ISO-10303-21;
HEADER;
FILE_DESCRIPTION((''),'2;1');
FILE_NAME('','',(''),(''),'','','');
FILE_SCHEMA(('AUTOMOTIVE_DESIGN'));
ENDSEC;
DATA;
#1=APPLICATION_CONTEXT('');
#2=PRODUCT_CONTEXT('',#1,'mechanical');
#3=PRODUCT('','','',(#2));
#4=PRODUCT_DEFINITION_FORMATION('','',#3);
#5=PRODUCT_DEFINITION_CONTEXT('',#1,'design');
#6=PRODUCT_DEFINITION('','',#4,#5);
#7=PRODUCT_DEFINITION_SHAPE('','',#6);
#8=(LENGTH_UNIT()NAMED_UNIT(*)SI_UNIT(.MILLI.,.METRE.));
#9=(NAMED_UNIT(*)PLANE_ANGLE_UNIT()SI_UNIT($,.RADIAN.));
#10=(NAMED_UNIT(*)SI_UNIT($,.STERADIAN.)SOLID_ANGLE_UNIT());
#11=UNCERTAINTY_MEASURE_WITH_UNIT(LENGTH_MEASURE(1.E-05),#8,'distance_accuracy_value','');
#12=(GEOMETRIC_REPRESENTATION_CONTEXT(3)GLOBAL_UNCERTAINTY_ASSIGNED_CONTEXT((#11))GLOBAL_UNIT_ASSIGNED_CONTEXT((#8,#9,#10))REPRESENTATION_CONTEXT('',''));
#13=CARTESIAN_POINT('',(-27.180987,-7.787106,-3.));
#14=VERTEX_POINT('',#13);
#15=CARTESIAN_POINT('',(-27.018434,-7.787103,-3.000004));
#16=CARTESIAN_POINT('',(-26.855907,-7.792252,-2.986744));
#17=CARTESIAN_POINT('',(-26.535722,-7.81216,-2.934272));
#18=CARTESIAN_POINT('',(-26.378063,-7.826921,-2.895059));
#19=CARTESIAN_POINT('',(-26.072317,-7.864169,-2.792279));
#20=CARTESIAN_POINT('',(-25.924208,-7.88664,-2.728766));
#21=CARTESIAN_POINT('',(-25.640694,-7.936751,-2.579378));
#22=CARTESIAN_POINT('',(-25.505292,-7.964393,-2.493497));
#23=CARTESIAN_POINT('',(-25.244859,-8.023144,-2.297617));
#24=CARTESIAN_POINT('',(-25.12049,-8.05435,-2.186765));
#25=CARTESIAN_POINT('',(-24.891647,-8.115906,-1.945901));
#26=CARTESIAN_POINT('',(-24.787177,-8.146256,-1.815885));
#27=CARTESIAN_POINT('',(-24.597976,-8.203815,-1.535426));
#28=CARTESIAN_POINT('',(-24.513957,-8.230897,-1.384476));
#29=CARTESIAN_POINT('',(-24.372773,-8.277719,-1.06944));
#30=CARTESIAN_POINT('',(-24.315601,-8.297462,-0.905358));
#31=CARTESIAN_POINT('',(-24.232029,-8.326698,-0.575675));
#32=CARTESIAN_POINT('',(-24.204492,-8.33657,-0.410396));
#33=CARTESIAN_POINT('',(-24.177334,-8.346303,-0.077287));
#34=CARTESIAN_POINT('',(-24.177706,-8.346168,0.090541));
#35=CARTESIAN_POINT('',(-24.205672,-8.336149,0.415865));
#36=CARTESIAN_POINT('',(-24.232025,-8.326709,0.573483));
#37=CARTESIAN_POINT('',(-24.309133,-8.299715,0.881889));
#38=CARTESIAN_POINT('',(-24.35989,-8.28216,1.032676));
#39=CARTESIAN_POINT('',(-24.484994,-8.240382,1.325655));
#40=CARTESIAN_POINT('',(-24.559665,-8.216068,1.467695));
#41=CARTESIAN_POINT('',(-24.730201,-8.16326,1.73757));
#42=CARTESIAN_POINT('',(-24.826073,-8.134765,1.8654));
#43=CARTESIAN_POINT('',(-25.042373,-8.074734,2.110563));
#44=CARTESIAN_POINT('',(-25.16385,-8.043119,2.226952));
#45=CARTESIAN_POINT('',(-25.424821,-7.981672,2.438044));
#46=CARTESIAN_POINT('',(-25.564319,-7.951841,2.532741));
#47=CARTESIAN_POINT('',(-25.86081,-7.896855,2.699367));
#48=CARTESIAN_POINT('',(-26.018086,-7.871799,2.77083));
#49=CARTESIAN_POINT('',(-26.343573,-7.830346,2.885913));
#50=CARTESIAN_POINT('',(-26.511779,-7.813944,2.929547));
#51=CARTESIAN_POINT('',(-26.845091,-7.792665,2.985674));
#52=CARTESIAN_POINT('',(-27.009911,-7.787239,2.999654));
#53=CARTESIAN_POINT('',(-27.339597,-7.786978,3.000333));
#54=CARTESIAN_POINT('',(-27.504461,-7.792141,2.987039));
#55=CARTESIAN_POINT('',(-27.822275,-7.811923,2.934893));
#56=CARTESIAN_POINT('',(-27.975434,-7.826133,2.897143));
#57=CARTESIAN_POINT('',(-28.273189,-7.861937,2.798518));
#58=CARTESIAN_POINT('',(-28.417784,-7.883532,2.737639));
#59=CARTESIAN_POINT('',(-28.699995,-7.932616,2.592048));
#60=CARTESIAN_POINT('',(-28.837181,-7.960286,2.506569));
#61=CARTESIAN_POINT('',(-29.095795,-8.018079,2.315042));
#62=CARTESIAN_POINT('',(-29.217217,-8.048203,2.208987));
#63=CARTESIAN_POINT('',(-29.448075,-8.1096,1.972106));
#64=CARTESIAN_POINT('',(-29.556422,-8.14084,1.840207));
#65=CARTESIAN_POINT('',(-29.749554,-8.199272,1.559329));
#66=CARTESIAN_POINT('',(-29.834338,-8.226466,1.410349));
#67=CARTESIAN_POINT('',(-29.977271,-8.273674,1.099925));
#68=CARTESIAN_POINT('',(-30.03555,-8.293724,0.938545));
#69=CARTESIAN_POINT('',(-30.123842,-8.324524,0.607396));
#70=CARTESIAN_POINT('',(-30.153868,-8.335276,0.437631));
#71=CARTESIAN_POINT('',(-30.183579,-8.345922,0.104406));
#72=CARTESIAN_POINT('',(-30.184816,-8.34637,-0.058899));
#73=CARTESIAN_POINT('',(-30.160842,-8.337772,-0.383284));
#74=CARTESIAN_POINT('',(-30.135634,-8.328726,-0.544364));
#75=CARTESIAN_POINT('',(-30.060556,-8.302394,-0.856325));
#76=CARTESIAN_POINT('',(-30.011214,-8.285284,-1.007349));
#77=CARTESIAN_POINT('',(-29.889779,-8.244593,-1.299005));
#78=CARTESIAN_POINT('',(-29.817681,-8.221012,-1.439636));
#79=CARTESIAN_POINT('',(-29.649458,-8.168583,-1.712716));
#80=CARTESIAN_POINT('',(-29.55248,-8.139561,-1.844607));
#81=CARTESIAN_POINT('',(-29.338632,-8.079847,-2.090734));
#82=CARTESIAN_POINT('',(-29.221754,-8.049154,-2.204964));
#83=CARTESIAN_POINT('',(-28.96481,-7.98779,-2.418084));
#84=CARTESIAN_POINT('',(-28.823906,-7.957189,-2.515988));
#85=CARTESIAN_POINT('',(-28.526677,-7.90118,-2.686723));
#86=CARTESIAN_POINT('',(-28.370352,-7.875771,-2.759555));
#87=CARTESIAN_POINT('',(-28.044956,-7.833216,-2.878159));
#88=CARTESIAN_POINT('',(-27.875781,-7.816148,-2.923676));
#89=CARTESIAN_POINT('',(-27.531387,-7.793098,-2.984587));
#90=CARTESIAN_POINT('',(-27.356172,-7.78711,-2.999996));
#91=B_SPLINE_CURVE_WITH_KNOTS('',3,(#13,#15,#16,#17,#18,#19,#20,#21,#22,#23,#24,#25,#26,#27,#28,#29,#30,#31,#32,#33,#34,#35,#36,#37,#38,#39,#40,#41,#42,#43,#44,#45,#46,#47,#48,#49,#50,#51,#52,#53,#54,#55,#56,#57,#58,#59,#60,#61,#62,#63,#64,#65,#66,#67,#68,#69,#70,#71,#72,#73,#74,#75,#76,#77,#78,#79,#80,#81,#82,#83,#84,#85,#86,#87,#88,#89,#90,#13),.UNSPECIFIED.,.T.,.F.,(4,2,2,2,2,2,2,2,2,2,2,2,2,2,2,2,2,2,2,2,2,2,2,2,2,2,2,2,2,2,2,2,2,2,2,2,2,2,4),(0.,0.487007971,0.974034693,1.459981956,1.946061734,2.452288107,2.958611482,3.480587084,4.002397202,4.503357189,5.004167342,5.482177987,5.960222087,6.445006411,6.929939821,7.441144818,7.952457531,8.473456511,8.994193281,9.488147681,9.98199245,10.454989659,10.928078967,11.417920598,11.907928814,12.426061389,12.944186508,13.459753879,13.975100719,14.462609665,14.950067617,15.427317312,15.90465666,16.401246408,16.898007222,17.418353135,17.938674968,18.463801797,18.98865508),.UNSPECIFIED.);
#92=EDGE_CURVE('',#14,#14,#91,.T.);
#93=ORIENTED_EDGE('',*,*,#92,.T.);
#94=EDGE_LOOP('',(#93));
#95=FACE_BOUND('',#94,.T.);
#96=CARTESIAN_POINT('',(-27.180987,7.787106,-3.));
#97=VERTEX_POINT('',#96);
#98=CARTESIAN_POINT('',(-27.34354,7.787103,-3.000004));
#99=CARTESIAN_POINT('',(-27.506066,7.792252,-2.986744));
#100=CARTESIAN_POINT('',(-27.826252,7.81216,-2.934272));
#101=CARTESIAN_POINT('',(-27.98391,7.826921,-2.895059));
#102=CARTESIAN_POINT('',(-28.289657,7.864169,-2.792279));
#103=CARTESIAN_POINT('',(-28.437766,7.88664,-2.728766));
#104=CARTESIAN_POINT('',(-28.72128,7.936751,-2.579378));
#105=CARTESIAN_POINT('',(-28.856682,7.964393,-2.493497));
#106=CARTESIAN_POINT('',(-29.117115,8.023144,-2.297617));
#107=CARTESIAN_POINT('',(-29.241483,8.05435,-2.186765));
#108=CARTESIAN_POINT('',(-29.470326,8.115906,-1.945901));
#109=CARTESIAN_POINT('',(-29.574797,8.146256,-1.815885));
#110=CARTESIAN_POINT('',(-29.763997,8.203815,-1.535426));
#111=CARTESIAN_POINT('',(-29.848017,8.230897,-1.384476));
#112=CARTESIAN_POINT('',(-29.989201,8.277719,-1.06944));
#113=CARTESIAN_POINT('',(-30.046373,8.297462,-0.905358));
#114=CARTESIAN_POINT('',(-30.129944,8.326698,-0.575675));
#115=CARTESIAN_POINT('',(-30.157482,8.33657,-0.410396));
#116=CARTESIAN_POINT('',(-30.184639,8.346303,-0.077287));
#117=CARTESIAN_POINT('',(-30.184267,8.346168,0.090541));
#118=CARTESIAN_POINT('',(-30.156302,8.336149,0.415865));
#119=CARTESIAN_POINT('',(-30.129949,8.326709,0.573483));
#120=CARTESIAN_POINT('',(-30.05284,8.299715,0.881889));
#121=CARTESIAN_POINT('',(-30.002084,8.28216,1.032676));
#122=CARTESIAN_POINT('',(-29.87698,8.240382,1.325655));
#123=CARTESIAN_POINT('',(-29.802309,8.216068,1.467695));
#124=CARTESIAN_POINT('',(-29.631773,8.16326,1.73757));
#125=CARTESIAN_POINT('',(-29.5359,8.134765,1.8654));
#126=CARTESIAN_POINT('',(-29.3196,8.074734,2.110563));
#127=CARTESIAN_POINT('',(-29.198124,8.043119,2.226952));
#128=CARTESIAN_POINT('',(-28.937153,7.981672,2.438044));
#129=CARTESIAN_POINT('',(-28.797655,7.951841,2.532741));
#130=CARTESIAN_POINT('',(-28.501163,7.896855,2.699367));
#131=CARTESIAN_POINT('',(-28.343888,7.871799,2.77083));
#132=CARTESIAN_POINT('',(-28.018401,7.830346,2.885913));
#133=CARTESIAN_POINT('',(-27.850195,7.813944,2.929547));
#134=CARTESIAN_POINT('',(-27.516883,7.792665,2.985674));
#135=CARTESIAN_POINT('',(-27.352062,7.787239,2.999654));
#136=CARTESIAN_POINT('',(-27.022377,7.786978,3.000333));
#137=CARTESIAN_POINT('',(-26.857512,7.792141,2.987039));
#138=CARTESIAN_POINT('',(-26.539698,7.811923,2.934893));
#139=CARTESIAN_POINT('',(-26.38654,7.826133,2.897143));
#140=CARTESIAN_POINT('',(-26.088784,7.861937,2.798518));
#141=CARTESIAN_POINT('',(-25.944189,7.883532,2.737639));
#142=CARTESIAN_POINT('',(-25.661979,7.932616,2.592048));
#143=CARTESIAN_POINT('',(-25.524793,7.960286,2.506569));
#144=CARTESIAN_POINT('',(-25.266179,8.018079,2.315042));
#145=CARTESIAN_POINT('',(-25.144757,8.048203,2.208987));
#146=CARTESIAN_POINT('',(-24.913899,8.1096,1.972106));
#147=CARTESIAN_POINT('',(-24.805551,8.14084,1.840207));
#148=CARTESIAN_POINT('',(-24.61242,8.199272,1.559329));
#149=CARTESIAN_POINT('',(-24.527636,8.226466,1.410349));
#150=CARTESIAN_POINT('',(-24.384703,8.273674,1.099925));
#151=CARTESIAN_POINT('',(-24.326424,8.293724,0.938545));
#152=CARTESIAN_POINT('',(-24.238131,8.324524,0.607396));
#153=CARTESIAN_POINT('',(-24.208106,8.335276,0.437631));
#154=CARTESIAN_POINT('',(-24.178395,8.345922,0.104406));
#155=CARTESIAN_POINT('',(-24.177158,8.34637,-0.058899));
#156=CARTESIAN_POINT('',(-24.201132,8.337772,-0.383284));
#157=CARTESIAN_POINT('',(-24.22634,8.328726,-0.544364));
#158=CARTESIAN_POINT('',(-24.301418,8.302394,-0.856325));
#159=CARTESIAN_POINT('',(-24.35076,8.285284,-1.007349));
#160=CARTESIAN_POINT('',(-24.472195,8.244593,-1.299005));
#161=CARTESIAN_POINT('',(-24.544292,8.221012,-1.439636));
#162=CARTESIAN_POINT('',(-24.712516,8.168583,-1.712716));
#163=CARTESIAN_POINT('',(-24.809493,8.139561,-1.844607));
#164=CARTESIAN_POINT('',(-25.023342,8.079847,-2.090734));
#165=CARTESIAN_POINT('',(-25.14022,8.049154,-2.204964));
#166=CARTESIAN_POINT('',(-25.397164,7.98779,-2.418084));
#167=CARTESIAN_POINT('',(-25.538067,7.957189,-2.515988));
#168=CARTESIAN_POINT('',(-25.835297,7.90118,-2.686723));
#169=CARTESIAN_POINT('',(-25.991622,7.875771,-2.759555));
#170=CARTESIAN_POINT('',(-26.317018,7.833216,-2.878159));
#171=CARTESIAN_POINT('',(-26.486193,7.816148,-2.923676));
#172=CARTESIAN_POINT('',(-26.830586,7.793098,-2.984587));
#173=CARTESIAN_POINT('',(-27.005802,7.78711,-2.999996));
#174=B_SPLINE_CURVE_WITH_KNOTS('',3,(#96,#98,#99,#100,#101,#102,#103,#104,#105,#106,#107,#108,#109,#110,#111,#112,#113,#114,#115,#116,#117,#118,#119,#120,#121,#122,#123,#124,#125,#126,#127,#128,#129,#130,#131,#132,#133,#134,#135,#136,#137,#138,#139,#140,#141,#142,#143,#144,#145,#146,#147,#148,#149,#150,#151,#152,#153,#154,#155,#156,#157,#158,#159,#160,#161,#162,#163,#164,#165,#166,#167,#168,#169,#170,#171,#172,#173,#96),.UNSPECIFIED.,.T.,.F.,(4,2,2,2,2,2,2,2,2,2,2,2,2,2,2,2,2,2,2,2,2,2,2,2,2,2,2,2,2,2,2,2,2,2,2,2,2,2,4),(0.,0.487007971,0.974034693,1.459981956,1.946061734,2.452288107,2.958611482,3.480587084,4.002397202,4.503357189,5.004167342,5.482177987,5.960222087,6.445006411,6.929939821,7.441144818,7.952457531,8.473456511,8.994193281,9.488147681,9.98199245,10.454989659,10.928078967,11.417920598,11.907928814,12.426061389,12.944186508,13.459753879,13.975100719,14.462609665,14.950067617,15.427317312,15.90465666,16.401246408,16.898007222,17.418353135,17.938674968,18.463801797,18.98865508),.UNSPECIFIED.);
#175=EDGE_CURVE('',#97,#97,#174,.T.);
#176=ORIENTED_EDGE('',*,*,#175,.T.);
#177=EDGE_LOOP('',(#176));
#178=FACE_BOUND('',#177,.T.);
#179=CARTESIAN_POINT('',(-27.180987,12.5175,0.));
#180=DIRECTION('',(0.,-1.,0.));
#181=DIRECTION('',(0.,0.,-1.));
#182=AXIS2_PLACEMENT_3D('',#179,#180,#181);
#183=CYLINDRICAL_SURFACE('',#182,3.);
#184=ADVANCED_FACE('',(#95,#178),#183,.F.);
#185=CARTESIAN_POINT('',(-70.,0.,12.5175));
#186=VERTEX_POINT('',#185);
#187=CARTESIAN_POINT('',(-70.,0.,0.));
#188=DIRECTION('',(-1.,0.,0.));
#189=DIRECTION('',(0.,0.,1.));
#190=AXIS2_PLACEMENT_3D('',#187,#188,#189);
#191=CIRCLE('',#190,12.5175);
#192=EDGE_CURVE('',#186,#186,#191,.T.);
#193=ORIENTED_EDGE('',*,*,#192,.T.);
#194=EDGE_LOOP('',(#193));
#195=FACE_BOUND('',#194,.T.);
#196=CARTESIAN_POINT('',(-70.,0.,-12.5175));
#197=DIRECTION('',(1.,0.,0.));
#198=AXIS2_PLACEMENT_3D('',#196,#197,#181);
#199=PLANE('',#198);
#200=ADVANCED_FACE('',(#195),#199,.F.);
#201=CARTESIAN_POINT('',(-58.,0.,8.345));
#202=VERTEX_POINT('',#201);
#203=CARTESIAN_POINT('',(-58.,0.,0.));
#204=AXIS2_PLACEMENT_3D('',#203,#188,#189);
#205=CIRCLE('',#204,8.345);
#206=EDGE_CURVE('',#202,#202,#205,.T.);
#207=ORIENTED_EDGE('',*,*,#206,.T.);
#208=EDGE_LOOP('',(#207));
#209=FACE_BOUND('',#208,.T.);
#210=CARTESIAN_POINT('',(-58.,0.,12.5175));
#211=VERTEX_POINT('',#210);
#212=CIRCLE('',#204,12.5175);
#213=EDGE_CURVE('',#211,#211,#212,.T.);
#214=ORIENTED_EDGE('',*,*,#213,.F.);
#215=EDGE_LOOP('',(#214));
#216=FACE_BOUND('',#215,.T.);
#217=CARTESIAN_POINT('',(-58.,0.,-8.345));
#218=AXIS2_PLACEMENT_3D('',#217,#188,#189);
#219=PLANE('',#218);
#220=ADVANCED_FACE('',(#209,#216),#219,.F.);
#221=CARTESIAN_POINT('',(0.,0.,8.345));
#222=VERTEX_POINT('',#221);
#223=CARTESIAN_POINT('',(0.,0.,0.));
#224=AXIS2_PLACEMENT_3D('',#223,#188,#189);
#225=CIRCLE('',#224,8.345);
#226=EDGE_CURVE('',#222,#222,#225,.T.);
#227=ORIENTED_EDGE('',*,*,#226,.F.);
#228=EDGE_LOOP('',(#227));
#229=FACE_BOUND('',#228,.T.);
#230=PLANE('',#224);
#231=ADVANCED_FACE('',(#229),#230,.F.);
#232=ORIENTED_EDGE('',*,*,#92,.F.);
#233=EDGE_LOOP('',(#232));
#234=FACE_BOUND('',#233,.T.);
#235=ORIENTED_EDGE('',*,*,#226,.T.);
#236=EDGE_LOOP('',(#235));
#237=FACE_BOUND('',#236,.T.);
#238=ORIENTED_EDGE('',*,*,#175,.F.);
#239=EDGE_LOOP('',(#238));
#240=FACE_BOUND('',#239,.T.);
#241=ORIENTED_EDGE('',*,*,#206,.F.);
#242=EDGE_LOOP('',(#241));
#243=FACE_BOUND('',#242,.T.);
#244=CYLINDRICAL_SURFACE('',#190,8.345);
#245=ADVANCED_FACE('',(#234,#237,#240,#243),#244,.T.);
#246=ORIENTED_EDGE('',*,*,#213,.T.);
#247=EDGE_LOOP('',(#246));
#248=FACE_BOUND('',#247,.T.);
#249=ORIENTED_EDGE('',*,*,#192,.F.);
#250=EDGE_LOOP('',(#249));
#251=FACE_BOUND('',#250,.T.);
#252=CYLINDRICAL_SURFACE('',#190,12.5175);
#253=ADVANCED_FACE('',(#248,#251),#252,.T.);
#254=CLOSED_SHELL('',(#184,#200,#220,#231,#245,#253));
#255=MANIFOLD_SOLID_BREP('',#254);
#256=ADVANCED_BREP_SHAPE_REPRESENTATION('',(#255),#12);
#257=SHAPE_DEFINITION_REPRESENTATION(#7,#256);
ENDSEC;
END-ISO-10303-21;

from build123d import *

# Parameters (mm, degrees)
CUT_EXTRUDE1_DEPTH      = 73.203709133
CUT_EXTRUDE1_DEPTH_BACK = 73.203709133
SKETCH4_R               = 3


with BuildPart() as part:
    # Sketch2 → Revolve1 (revolve)
    with BuildSketch(Plane(origin=(0, 0, 0), x_dir=(1, 0, 0), z_dir=(0, 1, 0)), mode=Mode.PRIVATE) as revolve1_sk:
        Polygon((0, 0), (0, 8.345), (-58, 8.345), (-58, 12.5175), (-70, 12.5175), (-70, 0), align=None)
    revolve(revolve1_sk.sketch.rotate(Axis((-70, 0, 0), (1, 0, 0)), 180), axis=Axis((-70, 0, 0), (1, 0, 0)))

    # Sketch4 → Cut-Extrude1 (cut, two sides: drawn at the far end of the back side and taken through both)
    with BuildSketch(Plane(origin=(0, 0, 0), x_dir=(1, 0, 0), z_dir=(0, 1, 0)).offset(-CUT_EXTRUDE1_DEPTH_BACK)):
        with Locations(Location((-27.1809868, 0, 0), (0, 0, 90))):
            Circle(SKETCH4_R)
    extrude(amount=CUT_EXTRUDE1_DEPTH + CUT_EXTRUDE1_DEPTH_BACK, mode=Mode.SUBTRACT)


solid = part.part
